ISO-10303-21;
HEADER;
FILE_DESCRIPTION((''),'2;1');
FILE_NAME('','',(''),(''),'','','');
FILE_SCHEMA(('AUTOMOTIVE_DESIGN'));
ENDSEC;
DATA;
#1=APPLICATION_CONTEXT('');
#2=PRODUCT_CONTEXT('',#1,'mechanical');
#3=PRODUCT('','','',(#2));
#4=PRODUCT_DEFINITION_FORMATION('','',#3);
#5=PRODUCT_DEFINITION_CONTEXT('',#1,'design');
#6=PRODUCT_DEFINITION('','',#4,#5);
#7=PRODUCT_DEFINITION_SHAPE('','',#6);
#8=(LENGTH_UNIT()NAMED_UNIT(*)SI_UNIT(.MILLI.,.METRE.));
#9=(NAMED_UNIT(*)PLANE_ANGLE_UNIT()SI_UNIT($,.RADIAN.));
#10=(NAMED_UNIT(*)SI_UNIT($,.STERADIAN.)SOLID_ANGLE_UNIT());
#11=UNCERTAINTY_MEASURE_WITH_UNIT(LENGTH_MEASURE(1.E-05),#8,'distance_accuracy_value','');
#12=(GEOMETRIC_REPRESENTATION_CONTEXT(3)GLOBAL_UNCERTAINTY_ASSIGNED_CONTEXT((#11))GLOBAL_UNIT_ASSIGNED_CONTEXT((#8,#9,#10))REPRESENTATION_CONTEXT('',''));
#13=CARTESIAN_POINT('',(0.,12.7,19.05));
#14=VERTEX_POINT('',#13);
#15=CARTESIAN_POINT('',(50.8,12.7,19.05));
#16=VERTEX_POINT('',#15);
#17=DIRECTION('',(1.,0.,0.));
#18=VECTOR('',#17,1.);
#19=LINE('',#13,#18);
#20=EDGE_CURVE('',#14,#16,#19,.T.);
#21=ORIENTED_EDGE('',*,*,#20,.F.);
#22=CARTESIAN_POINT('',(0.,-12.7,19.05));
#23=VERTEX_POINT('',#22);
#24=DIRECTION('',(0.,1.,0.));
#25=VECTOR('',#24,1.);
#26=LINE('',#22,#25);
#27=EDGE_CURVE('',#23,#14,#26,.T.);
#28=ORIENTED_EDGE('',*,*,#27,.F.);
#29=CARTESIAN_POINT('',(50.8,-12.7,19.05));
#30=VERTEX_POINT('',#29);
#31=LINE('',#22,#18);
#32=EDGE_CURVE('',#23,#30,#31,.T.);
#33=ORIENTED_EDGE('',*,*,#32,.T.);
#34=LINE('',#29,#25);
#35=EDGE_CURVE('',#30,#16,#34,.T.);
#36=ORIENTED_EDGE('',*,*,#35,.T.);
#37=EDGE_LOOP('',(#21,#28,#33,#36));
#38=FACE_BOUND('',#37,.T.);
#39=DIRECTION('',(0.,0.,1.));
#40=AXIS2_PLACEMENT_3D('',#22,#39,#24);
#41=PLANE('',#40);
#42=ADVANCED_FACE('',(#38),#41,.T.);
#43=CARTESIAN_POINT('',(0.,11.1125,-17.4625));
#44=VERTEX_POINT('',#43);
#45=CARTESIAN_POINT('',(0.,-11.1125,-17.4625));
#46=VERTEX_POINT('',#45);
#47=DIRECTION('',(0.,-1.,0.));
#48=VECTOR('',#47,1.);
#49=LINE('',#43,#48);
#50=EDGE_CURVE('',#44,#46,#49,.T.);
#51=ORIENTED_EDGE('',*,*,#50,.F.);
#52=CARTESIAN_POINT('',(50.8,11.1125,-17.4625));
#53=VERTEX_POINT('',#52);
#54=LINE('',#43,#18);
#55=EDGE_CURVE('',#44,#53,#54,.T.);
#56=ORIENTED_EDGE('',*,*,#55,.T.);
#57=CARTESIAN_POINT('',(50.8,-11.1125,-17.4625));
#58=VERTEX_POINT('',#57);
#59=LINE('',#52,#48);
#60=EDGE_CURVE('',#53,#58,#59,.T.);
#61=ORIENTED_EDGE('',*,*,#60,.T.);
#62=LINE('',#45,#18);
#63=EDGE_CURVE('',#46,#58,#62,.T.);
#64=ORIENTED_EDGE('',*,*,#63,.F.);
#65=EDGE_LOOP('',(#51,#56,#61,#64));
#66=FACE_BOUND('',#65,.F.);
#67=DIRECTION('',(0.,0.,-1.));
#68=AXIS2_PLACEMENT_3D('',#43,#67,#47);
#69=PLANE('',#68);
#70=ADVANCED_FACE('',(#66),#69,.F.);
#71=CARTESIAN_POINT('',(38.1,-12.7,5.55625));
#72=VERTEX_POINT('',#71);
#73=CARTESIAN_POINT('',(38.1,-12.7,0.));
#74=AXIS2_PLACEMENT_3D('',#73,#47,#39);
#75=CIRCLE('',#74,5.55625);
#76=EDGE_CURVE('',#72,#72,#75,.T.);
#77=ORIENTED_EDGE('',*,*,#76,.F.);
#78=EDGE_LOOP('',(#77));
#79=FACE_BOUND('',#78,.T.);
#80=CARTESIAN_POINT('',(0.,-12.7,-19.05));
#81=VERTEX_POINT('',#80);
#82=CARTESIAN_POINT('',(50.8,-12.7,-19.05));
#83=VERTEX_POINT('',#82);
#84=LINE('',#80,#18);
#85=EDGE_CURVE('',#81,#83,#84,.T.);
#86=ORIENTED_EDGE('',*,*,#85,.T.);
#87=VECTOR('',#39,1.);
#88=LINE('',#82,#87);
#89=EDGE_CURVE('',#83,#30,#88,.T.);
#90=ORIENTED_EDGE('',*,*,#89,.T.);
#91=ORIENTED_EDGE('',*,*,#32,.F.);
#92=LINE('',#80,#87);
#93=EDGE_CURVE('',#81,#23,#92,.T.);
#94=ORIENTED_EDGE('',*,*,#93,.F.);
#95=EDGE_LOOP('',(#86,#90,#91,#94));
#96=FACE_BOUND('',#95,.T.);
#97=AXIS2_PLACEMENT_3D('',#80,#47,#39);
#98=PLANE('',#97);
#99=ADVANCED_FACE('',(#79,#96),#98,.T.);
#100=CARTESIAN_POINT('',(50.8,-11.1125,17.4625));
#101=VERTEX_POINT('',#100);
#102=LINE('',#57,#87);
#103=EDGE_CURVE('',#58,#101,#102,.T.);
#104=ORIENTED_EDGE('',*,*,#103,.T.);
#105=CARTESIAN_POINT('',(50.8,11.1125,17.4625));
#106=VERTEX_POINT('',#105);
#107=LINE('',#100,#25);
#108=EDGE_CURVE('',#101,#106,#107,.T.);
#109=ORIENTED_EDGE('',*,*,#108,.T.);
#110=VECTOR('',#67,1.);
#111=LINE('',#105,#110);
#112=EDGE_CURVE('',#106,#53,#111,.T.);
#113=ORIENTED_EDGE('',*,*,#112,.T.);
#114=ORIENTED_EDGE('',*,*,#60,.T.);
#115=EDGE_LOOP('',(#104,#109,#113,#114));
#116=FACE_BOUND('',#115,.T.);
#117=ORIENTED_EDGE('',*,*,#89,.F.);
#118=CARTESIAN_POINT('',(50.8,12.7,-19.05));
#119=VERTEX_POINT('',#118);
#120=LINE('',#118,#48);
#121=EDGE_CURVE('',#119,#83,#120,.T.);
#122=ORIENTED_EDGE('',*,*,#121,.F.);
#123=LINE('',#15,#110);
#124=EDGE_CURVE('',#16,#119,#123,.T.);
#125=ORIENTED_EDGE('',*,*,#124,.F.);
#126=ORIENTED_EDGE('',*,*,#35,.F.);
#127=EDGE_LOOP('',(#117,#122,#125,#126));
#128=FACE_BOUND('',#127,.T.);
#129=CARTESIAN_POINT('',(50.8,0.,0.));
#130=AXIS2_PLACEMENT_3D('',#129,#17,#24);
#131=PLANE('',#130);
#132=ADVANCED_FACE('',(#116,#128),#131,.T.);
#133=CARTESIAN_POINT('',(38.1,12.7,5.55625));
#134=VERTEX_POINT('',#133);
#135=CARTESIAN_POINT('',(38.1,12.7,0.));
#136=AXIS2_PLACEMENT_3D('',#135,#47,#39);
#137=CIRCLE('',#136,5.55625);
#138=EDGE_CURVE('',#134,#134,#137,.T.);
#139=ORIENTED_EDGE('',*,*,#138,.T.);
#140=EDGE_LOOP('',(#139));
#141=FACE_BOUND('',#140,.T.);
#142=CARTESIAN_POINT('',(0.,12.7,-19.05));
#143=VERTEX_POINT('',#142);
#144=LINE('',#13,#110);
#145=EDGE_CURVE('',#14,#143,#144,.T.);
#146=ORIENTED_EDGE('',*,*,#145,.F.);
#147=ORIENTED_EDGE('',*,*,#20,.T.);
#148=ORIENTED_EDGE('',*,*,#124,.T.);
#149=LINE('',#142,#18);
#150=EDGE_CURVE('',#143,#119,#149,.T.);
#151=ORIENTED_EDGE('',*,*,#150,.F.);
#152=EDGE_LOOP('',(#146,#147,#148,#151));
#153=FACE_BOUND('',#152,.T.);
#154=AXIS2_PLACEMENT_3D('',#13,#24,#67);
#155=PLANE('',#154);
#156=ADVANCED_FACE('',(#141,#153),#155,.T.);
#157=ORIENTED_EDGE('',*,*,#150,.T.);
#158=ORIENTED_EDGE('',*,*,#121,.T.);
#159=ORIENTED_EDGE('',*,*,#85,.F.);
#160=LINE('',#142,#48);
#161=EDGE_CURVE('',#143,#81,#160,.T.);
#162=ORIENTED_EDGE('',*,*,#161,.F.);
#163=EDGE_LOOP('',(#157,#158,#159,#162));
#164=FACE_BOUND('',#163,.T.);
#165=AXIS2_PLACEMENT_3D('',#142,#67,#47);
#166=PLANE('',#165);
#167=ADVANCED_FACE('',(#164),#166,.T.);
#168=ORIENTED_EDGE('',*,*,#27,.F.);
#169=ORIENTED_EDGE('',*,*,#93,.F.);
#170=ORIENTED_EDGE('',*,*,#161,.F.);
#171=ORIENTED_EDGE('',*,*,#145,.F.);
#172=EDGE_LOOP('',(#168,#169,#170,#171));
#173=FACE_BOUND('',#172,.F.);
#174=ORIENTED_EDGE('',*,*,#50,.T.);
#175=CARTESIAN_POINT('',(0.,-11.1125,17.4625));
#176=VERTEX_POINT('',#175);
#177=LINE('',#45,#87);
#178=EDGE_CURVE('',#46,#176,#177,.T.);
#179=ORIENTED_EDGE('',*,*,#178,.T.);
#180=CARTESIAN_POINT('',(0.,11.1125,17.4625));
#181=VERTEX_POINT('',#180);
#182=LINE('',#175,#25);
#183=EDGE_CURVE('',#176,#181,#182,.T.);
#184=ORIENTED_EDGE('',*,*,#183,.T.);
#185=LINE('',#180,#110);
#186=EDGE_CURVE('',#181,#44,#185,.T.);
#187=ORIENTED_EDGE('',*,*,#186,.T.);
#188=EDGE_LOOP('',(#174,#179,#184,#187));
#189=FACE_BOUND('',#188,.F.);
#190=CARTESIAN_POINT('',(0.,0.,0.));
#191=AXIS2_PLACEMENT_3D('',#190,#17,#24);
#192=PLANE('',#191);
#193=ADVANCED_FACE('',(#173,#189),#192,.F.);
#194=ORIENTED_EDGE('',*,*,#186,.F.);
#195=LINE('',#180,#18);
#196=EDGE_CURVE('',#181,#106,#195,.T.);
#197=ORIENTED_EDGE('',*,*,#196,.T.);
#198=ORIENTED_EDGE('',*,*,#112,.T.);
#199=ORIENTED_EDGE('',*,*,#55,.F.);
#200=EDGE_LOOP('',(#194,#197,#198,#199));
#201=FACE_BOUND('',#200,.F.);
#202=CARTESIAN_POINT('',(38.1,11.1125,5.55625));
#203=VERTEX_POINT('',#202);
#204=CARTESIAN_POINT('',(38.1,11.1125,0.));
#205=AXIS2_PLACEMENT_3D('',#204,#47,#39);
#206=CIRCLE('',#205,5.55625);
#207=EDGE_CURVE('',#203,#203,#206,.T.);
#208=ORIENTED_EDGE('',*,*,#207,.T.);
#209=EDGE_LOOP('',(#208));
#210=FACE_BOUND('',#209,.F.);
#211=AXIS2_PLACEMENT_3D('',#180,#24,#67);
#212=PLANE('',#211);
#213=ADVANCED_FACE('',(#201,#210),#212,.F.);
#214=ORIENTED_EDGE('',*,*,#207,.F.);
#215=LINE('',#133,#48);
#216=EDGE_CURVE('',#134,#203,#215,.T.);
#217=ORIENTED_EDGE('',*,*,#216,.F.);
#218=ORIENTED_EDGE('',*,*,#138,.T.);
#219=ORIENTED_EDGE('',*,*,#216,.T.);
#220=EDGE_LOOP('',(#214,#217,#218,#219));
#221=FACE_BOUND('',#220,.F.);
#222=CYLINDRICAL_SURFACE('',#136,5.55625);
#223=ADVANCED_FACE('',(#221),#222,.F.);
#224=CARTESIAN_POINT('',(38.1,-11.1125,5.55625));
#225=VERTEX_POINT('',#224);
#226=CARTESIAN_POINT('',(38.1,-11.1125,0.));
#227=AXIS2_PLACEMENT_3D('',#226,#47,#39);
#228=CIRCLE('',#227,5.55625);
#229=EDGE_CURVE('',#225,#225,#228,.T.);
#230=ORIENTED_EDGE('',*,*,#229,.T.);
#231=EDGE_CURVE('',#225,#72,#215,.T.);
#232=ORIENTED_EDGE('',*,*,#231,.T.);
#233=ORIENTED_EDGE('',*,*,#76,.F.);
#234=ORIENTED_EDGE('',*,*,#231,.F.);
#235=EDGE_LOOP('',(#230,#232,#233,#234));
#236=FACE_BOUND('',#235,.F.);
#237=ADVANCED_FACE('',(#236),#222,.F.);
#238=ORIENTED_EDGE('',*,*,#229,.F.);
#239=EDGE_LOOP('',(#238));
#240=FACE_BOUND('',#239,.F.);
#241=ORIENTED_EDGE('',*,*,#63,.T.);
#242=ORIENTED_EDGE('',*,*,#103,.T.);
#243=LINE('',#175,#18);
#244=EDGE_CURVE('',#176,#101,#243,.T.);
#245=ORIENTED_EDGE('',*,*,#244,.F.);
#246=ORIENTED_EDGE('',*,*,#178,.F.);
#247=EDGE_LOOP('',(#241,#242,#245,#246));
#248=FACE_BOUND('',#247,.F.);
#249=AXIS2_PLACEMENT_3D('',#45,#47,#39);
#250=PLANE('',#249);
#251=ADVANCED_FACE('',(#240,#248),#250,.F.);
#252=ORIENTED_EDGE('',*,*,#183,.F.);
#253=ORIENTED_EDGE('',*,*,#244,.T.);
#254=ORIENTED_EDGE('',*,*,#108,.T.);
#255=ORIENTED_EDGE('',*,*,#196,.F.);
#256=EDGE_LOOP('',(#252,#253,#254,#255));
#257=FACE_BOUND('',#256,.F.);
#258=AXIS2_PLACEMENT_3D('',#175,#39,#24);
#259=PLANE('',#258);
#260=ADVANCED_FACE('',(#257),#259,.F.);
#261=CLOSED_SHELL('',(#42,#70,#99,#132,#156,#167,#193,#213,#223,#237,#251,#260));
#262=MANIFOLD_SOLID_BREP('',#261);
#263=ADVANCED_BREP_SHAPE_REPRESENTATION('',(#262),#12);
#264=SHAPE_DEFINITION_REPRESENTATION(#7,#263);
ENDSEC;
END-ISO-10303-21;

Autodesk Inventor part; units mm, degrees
ref_plane "Work Plane3" through (0, 12.7, 0) normal (0, 1, 0) x (-1, 0, 0)
ref_plane "Start Plane" through (0, 0, 0) normal (1, 0, 0) x (0, 1, 0)
ref_plane "End Plane" through (50.8, 0, 0) normal (1, 0, 0) x (0, 1, 0)
sketch "Sketch" plane through (0, 0, 0) normal (1, 0, 0) x (0, 1, 0)
  line L0 (-12.7, 19.05) -> (12.7, 19.05)
  line L1 (12.7, 19.05) -> (12.7, -19.05)
  line L2 (12.7, -19.05) -> (-12.7, -19.05)
  line L3 (-12.7, -19.05) -> (-12.7, 19.05)
  line L4 (-12.7, 19.05) -> (12.7, -19.05) construction
  line L5 (12.7, 19.05) -> (-12.7, -19.05) construction
  line L6 (-11.1125, 17.4625) -> (11.1125, 17.4625)
  line L7 (11.1125, 17.4625) -> (11.1125, -17.4625)
  line L8 (11.1125, -17.4625) -> (-11.1125, -17.4625)
  line L9 (-11.1125, -17.4625) -> (-11.1125, 17.4625)
  line L10 (-11.1125, 17.4625) -> (11.1125, -17.4625) construction
  line L11 (11.1125, 17.4625) -> (-11.1125, -17.4625) construction
  point P0 (0, 0)
  dimension "d0" = 38.1
  dimension "d1" = 25.4
  dimension "d2" = 1.5875
  dimension "d3" = 1.5875
extrude "Body" add sketch "Sketch" along normal up to surface (50.8 mm away) from surface at 0
sketch "Sketch8" plane through (0, 0, 0) normal (1, 0, 0) x (0, 1, 0)
  line L0 (0, 0) -> (10, 0)
ref_plane "Work Plane6" through (0, 0, 0) normal (0, 0, -1) x (0, 1, 0)
sketch "Sketch9" plane through (0, 0, 0) normal (0, 0, -1) x (0, 1, 0)
  line L0 (-17.78, 0) -> (17.78, 0)
  line L1 (-17.78, 50.8) -> (17.78, 50.8)
  dimension "d21" = 50.8
sketch "Sketch5" plane through (0, 12.7, -19.05) normal (0, 1, 0) x (1, 0, 0)
  line L0 (0, -38.1) -> (0, 0) projected
  point P0 (0, -19.05)
  point P1 (38.1, -19.05)
  dimension "d22" = 38.1
hole "Hole2" at (38.1, 12.7, 0) direction (0, -1, 0) diameter 11.1125 end through all
equation "\"d3\" = d2"
equation "\"G_OFFSET_START\" = 0"
equation "\"G_OFFSET_END\" = 0"
equation "\"d17\" = d4 + G_OFFSET_END"
equation "\"G_L\" = d21"
equation "\"d4\" = 50.8"
properties part number "1605036817533"
